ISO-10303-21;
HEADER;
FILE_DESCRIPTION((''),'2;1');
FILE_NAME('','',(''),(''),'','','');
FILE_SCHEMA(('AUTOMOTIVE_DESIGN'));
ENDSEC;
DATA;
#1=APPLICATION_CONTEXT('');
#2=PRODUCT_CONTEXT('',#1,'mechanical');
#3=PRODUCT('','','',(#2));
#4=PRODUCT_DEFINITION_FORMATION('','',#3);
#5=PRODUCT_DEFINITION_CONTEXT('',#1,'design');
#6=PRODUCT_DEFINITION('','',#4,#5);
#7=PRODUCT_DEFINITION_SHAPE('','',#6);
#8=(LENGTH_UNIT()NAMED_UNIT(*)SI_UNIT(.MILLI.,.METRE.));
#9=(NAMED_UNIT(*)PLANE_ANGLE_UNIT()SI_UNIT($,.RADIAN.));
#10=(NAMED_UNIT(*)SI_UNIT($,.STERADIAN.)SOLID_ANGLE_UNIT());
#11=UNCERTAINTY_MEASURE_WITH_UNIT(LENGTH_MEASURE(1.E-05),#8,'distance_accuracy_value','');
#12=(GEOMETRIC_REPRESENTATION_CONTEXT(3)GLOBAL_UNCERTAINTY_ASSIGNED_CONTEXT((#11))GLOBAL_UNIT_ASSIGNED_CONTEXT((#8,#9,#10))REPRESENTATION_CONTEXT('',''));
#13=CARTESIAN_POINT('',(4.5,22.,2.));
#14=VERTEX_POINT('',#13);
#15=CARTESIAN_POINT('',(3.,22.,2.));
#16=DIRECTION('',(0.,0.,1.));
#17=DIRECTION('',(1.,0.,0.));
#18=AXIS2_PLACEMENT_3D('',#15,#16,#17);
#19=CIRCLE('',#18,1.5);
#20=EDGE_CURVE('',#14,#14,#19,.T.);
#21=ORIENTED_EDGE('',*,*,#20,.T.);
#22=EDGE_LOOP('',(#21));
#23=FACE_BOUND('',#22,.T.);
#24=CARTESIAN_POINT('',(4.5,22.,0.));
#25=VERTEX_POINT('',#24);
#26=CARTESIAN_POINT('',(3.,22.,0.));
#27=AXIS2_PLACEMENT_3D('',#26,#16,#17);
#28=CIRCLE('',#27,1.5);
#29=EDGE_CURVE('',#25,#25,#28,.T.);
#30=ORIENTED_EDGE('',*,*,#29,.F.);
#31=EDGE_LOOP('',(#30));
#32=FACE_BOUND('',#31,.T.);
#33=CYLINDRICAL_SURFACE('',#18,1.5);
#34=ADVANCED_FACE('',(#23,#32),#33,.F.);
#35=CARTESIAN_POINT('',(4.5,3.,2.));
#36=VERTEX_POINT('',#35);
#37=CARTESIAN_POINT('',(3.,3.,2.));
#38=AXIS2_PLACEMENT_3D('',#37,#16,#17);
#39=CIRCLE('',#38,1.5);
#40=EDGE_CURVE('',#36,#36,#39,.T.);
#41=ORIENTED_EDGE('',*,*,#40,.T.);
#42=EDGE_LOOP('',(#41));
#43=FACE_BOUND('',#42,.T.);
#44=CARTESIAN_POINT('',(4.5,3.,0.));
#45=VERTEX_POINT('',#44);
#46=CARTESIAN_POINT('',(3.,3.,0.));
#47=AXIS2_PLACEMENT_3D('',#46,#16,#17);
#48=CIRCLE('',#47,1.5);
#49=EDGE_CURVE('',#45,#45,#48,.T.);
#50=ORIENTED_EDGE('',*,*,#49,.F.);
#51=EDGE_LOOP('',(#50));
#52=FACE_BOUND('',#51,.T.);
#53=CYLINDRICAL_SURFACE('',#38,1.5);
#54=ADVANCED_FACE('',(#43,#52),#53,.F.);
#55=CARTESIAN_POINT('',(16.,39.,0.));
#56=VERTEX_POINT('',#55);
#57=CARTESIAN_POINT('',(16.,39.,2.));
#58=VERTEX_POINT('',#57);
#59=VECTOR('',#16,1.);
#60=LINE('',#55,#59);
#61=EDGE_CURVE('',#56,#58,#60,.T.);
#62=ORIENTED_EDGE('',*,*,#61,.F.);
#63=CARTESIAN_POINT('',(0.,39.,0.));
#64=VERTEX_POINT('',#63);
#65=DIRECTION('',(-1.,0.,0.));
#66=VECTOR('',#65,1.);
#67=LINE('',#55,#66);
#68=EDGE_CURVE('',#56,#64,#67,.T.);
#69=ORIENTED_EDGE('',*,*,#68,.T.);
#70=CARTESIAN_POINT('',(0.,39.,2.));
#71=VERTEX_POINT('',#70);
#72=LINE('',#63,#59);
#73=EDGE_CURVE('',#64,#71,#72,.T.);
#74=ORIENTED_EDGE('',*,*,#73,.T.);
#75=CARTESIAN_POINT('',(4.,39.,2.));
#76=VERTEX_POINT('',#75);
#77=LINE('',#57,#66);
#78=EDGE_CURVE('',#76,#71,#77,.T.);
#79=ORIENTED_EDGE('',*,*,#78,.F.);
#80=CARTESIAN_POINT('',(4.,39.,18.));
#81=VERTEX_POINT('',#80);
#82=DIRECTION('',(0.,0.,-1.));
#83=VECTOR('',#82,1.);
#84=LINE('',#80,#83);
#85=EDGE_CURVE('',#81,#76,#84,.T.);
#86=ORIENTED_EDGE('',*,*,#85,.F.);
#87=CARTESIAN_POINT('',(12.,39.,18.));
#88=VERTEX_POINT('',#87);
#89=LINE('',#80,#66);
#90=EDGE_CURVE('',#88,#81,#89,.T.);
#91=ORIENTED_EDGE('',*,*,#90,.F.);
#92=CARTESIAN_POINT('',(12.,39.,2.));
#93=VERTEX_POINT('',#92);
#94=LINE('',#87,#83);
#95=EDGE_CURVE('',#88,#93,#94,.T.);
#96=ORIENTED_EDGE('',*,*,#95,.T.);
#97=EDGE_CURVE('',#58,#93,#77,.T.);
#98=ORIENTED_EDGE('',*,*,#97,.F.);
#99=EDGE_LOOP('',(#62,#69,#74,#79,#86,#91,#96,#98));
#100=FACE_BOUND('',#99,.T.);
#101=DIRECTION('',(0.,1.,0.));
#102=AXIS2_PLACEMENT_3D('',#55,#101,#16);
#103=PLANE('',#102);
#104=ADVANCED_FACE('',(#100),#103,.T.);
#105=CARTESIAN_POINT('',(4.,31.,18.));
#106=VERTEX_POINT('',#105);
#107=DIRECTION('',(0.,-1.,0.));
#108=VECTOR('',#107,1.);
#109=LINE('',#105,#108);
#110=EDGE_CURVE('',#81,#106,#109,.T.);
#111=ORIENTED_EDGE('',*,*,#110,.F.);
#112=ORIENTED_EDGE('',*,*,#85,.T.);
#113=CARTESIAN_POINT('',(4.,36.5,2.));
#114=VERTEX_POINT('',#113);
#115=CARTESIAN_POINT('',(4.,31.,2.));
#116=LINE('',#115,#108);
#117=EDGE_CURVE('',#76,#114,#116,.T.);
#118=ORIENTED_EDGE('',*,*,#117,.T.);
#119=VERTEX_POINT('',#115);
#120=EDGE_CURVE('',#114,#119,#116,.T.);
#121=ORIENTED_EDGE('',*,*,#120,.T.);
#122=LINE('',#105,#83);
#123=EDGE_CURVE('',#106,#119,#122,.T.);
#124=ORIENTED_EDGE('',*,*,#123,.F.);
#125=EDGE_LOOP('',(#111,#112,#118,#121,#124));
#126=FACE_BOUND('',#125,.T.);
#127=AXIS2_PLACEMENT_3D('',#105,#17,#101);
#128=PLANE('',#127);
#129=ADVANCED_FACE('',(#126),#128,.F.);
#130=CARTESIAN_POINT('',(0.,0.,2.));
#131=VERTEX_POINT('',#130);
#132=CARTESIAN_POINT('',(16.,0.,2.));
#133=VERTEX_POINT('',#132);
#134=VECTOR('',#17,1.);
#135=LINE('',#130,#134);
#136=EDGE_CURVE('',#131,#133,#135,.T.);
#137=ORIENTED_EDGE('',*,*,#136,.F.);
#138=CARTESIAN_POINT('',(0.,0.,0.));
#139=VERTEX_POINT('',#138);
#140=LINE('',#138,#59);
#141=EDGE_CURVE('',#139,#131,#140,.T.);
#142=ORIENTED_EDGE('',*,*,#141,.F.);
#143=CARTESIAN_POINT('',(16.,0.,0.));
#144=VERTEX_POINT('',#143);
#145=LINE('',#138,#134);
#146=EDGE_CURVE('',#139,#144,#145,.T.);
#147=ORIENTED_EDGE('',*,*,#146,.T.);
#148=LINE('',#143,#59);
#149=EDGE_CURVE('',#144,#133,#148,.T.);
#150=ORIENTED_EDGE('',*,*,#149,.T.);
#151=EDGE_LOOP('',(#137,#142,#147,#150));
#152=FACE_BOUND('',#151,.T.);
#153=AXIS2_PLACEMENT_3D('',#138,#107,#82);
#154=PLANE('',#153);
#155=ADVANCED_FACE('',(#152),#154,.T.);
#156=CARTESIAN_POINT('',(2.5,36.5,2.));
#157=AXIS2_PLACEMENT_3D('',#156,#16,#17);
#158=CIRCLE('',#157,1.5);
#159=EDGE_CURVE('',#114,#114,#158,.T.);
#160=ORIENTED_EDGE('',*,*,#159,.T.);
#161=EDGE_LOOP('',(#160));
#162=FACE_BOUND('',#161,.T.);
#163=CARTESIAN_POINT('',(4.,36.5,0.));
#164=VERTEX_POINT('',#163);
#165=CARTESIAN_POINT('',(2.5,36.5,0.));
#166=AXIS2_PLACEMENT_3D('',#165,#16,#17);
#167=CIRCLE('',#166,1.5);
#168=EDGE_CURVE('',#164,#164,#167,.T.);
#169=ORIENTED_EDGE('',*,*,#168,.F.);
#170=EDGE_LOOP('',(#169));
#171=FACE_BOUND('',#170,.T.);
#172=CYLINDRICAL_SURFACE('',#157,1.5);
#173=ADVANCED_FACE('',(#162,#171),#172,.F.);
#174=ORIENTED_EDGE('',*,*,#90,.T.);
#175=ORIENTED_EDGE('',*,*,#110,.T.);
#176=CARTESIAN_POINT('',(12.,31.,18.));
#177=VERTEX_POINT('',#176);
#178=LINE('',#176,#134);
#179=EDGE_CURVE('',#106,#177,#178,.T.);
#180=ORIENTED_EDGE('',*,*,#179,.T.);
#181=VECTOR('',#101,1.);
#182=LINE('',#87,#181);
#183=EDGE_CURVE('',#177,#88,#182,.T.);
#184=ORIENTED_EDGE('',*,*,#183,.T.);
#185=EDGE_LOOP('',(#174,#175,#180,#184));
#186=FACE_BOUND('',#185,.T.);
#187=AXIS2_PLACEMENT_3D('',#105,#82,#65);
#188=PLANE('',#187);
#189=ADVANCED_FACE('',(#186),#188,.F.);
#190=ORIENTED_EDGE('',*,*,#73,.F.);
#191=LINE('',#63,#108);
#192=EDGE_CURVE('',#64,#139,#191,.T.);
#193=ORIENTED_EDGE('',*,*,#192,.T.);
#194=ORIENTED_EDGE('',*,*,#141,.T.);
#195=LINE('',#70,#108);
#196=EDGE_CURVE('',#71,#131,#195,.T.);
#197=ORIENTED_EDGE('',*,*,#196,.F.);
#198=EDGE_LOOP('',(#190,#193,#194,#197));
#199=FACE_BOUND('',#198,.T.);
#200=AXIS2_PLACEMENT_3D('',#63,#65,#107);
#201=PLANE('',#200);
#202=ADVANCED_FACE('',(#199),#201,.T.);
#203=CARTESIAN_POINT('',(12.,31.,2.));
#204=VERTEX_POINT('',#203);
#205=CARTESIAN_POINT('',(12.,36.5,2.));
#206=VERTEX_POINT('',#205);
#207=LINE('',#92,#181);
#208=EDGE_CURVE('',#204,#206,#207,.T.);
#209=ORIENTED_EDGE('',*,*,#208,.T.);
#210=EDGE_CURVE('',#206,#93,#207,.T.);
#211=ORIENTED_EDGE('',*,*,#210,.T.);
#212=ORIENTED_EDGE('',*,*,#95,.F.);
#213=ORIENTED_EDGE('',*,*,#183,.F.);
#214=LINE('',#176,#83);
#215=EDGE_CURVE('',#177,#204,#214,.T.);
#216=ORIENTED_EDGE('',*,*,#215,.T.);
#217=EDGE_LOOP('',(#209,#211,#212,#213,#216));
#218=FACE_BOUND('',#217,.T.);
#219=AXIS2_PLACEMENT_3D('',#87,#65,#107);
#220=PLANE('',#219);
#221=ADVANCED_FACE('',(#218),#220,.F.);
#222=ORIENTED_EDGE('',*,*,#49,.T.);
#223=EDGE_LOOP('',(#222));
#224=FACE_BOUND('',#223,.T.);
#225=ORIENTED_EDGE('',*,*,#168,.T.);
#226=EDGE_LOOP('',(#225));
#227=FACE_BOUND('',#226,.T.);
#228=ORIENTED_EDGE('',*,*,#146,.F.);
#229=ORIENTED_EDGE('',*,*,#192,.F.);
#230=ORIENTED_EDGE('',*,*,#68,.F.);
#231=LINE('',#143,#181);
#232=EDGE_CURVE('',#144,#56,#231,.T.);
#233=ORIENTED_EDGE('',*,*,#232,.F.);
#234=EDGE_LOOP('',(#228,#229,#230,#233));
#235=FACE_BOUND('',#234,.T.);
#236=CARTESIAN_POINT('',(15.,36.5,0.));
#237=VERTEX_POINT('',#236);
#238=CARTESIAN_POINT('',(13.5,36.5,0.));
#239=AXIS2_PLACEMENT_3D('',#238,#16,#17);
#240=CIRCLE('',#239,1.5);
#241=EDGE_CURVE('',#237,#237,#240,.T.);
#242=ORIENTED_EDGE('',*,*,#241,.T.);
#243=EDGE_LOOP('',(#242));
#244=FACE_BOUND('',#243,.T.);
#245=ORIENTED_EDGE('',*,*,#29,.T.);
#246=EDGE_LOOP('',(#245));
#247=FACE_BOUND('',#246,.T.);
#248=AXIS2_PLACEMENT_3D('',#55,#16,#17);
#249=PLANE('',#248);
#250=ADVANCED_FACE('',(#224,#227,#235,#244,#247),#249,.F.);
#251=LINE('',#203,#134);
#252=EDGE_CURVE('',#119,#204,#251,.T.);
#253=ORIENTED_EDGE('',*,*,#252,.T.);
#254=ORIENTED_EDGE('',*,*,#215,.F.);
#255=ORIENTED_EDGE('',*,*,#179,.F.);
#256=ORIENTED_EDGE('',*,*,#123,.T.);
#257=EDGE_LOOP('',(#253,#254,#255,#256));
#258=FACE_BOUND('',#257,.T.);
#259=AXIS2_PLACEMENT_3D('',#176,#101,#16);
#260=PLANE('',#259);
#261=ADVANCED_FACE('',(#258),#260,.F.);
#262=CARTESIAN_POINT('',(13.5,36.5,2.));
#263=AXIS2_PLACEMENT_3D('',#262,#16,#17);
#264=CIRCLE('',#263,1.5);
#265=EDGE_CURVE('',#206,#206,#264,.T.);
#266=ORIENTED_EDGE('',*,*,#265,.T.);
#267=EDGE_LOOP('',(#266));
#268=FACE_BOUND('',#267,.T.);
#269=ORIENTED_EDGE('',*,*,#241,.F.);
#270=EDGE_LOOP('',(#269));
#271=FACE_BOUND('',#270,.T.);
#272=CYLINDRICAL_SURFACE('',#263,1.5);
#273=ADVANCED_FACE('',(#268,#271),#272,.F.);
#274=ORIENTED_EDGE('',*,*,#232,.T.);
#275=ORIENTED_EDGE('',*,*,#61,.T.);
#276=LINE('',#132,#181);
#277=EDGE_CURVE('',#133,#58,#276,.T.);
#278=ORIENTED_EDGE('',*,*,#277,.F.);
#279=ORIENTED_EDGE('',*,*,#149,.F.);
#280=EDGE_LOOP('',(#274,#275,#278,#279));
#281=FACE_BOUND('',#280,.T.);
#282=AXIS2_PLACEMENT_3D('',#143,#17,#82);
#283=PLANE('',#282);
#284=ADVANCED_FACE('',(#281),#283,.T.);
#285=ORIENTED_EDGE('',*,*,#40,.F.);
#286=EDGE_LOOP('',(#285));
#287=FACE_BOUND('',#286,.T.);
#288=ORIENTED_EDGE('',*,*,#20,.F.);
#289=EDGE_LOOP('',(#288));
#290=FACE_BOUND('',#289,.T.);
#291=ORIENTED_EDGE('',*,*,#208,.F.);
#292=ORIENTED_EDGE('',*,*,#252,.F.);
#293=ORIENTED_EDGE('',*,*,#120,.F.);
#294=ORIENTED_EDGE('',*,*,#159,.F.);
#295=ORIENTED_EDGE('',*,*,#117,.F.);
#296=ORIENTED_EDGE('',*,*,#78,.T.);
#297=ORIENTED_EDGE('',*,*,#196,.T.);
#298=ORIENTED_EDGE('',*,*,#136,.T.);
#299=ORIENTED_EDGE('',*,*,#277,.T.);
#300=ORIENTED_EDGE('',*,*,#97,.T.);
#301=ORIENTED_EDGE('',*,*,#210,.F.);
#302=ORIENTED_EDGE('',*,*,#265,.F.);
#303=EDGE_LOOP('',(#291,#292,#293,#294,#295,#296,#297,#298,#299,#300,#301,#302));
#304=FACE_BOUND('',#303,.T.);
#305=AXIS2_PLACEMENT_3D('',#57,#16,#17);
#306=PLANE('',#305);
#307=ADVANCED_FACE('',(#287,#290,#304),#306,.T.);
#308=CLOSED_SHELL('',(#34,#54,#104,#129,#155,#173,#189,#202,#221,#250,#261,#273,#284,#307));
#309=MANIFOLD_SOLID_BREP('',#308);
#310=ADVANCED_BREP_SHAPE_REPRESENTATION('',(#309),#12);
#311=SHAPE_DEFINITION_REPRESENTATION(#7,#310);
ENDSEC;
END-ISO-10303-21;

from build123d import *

# Parameters (mm, degrees)
SKETCH1_W           = 16
SKETCH1_H           = 39
BOSS_EXTRUDE1_DEPTH = 2
SKETCH2_W           = 8
SKETCH2_H           = 8
BOSS_EXTRUDE2_DEPTH = 16
HOLE1_D             = 3
HOLE2_D             = 3
HOLE3_D             = 3
HOLE4_D             = 3


with BuildPart() as part:
    # Sketch1 → Boss-Extrude1 (new body)
    with BuildSketch(Plane.XY.offset(2)):
        with Locations((8, 19.5)):
            Rectangle(SKETCH1_W, SKETCH1_H)
    extrude(amount=-BOSS_EXTRUDE1_DEPTH)

    # Sketch2 → Boss-Extrude2 (add)
    with BuildSketch(Plane.XY.offset(2)):
        with Locations((8, 35)):
            Rectangle(SKETCH2_W, SKETCH2_H)
    extrude(amount=BOSS_EXTRUDE2_DEPTH)

    # Hole1 (through all)
    with Locations(Plane.XY.offset(2)):
        with Locations((3, 3)):
            Hole(HOLE1_D / 2)

    # Hole2 (through all)
    with Locations(Plane.XY.offset(2)):
        with Locations((13.5, 36.5)):
            Hole(HOLE2_D / 2)

    # Hole3 (through all)
    with Locations(Plane.XY.offset(2)):
        with Locations((2.5, 36.5)):
            Hole(HOLE3_D / 2)

    # Hole4 (through all)
    with Locations(Plane.XY.offset(2)):
        with Locations((3, 22)):
            Hole(HOLE4_D / 2)


solid = part.part
